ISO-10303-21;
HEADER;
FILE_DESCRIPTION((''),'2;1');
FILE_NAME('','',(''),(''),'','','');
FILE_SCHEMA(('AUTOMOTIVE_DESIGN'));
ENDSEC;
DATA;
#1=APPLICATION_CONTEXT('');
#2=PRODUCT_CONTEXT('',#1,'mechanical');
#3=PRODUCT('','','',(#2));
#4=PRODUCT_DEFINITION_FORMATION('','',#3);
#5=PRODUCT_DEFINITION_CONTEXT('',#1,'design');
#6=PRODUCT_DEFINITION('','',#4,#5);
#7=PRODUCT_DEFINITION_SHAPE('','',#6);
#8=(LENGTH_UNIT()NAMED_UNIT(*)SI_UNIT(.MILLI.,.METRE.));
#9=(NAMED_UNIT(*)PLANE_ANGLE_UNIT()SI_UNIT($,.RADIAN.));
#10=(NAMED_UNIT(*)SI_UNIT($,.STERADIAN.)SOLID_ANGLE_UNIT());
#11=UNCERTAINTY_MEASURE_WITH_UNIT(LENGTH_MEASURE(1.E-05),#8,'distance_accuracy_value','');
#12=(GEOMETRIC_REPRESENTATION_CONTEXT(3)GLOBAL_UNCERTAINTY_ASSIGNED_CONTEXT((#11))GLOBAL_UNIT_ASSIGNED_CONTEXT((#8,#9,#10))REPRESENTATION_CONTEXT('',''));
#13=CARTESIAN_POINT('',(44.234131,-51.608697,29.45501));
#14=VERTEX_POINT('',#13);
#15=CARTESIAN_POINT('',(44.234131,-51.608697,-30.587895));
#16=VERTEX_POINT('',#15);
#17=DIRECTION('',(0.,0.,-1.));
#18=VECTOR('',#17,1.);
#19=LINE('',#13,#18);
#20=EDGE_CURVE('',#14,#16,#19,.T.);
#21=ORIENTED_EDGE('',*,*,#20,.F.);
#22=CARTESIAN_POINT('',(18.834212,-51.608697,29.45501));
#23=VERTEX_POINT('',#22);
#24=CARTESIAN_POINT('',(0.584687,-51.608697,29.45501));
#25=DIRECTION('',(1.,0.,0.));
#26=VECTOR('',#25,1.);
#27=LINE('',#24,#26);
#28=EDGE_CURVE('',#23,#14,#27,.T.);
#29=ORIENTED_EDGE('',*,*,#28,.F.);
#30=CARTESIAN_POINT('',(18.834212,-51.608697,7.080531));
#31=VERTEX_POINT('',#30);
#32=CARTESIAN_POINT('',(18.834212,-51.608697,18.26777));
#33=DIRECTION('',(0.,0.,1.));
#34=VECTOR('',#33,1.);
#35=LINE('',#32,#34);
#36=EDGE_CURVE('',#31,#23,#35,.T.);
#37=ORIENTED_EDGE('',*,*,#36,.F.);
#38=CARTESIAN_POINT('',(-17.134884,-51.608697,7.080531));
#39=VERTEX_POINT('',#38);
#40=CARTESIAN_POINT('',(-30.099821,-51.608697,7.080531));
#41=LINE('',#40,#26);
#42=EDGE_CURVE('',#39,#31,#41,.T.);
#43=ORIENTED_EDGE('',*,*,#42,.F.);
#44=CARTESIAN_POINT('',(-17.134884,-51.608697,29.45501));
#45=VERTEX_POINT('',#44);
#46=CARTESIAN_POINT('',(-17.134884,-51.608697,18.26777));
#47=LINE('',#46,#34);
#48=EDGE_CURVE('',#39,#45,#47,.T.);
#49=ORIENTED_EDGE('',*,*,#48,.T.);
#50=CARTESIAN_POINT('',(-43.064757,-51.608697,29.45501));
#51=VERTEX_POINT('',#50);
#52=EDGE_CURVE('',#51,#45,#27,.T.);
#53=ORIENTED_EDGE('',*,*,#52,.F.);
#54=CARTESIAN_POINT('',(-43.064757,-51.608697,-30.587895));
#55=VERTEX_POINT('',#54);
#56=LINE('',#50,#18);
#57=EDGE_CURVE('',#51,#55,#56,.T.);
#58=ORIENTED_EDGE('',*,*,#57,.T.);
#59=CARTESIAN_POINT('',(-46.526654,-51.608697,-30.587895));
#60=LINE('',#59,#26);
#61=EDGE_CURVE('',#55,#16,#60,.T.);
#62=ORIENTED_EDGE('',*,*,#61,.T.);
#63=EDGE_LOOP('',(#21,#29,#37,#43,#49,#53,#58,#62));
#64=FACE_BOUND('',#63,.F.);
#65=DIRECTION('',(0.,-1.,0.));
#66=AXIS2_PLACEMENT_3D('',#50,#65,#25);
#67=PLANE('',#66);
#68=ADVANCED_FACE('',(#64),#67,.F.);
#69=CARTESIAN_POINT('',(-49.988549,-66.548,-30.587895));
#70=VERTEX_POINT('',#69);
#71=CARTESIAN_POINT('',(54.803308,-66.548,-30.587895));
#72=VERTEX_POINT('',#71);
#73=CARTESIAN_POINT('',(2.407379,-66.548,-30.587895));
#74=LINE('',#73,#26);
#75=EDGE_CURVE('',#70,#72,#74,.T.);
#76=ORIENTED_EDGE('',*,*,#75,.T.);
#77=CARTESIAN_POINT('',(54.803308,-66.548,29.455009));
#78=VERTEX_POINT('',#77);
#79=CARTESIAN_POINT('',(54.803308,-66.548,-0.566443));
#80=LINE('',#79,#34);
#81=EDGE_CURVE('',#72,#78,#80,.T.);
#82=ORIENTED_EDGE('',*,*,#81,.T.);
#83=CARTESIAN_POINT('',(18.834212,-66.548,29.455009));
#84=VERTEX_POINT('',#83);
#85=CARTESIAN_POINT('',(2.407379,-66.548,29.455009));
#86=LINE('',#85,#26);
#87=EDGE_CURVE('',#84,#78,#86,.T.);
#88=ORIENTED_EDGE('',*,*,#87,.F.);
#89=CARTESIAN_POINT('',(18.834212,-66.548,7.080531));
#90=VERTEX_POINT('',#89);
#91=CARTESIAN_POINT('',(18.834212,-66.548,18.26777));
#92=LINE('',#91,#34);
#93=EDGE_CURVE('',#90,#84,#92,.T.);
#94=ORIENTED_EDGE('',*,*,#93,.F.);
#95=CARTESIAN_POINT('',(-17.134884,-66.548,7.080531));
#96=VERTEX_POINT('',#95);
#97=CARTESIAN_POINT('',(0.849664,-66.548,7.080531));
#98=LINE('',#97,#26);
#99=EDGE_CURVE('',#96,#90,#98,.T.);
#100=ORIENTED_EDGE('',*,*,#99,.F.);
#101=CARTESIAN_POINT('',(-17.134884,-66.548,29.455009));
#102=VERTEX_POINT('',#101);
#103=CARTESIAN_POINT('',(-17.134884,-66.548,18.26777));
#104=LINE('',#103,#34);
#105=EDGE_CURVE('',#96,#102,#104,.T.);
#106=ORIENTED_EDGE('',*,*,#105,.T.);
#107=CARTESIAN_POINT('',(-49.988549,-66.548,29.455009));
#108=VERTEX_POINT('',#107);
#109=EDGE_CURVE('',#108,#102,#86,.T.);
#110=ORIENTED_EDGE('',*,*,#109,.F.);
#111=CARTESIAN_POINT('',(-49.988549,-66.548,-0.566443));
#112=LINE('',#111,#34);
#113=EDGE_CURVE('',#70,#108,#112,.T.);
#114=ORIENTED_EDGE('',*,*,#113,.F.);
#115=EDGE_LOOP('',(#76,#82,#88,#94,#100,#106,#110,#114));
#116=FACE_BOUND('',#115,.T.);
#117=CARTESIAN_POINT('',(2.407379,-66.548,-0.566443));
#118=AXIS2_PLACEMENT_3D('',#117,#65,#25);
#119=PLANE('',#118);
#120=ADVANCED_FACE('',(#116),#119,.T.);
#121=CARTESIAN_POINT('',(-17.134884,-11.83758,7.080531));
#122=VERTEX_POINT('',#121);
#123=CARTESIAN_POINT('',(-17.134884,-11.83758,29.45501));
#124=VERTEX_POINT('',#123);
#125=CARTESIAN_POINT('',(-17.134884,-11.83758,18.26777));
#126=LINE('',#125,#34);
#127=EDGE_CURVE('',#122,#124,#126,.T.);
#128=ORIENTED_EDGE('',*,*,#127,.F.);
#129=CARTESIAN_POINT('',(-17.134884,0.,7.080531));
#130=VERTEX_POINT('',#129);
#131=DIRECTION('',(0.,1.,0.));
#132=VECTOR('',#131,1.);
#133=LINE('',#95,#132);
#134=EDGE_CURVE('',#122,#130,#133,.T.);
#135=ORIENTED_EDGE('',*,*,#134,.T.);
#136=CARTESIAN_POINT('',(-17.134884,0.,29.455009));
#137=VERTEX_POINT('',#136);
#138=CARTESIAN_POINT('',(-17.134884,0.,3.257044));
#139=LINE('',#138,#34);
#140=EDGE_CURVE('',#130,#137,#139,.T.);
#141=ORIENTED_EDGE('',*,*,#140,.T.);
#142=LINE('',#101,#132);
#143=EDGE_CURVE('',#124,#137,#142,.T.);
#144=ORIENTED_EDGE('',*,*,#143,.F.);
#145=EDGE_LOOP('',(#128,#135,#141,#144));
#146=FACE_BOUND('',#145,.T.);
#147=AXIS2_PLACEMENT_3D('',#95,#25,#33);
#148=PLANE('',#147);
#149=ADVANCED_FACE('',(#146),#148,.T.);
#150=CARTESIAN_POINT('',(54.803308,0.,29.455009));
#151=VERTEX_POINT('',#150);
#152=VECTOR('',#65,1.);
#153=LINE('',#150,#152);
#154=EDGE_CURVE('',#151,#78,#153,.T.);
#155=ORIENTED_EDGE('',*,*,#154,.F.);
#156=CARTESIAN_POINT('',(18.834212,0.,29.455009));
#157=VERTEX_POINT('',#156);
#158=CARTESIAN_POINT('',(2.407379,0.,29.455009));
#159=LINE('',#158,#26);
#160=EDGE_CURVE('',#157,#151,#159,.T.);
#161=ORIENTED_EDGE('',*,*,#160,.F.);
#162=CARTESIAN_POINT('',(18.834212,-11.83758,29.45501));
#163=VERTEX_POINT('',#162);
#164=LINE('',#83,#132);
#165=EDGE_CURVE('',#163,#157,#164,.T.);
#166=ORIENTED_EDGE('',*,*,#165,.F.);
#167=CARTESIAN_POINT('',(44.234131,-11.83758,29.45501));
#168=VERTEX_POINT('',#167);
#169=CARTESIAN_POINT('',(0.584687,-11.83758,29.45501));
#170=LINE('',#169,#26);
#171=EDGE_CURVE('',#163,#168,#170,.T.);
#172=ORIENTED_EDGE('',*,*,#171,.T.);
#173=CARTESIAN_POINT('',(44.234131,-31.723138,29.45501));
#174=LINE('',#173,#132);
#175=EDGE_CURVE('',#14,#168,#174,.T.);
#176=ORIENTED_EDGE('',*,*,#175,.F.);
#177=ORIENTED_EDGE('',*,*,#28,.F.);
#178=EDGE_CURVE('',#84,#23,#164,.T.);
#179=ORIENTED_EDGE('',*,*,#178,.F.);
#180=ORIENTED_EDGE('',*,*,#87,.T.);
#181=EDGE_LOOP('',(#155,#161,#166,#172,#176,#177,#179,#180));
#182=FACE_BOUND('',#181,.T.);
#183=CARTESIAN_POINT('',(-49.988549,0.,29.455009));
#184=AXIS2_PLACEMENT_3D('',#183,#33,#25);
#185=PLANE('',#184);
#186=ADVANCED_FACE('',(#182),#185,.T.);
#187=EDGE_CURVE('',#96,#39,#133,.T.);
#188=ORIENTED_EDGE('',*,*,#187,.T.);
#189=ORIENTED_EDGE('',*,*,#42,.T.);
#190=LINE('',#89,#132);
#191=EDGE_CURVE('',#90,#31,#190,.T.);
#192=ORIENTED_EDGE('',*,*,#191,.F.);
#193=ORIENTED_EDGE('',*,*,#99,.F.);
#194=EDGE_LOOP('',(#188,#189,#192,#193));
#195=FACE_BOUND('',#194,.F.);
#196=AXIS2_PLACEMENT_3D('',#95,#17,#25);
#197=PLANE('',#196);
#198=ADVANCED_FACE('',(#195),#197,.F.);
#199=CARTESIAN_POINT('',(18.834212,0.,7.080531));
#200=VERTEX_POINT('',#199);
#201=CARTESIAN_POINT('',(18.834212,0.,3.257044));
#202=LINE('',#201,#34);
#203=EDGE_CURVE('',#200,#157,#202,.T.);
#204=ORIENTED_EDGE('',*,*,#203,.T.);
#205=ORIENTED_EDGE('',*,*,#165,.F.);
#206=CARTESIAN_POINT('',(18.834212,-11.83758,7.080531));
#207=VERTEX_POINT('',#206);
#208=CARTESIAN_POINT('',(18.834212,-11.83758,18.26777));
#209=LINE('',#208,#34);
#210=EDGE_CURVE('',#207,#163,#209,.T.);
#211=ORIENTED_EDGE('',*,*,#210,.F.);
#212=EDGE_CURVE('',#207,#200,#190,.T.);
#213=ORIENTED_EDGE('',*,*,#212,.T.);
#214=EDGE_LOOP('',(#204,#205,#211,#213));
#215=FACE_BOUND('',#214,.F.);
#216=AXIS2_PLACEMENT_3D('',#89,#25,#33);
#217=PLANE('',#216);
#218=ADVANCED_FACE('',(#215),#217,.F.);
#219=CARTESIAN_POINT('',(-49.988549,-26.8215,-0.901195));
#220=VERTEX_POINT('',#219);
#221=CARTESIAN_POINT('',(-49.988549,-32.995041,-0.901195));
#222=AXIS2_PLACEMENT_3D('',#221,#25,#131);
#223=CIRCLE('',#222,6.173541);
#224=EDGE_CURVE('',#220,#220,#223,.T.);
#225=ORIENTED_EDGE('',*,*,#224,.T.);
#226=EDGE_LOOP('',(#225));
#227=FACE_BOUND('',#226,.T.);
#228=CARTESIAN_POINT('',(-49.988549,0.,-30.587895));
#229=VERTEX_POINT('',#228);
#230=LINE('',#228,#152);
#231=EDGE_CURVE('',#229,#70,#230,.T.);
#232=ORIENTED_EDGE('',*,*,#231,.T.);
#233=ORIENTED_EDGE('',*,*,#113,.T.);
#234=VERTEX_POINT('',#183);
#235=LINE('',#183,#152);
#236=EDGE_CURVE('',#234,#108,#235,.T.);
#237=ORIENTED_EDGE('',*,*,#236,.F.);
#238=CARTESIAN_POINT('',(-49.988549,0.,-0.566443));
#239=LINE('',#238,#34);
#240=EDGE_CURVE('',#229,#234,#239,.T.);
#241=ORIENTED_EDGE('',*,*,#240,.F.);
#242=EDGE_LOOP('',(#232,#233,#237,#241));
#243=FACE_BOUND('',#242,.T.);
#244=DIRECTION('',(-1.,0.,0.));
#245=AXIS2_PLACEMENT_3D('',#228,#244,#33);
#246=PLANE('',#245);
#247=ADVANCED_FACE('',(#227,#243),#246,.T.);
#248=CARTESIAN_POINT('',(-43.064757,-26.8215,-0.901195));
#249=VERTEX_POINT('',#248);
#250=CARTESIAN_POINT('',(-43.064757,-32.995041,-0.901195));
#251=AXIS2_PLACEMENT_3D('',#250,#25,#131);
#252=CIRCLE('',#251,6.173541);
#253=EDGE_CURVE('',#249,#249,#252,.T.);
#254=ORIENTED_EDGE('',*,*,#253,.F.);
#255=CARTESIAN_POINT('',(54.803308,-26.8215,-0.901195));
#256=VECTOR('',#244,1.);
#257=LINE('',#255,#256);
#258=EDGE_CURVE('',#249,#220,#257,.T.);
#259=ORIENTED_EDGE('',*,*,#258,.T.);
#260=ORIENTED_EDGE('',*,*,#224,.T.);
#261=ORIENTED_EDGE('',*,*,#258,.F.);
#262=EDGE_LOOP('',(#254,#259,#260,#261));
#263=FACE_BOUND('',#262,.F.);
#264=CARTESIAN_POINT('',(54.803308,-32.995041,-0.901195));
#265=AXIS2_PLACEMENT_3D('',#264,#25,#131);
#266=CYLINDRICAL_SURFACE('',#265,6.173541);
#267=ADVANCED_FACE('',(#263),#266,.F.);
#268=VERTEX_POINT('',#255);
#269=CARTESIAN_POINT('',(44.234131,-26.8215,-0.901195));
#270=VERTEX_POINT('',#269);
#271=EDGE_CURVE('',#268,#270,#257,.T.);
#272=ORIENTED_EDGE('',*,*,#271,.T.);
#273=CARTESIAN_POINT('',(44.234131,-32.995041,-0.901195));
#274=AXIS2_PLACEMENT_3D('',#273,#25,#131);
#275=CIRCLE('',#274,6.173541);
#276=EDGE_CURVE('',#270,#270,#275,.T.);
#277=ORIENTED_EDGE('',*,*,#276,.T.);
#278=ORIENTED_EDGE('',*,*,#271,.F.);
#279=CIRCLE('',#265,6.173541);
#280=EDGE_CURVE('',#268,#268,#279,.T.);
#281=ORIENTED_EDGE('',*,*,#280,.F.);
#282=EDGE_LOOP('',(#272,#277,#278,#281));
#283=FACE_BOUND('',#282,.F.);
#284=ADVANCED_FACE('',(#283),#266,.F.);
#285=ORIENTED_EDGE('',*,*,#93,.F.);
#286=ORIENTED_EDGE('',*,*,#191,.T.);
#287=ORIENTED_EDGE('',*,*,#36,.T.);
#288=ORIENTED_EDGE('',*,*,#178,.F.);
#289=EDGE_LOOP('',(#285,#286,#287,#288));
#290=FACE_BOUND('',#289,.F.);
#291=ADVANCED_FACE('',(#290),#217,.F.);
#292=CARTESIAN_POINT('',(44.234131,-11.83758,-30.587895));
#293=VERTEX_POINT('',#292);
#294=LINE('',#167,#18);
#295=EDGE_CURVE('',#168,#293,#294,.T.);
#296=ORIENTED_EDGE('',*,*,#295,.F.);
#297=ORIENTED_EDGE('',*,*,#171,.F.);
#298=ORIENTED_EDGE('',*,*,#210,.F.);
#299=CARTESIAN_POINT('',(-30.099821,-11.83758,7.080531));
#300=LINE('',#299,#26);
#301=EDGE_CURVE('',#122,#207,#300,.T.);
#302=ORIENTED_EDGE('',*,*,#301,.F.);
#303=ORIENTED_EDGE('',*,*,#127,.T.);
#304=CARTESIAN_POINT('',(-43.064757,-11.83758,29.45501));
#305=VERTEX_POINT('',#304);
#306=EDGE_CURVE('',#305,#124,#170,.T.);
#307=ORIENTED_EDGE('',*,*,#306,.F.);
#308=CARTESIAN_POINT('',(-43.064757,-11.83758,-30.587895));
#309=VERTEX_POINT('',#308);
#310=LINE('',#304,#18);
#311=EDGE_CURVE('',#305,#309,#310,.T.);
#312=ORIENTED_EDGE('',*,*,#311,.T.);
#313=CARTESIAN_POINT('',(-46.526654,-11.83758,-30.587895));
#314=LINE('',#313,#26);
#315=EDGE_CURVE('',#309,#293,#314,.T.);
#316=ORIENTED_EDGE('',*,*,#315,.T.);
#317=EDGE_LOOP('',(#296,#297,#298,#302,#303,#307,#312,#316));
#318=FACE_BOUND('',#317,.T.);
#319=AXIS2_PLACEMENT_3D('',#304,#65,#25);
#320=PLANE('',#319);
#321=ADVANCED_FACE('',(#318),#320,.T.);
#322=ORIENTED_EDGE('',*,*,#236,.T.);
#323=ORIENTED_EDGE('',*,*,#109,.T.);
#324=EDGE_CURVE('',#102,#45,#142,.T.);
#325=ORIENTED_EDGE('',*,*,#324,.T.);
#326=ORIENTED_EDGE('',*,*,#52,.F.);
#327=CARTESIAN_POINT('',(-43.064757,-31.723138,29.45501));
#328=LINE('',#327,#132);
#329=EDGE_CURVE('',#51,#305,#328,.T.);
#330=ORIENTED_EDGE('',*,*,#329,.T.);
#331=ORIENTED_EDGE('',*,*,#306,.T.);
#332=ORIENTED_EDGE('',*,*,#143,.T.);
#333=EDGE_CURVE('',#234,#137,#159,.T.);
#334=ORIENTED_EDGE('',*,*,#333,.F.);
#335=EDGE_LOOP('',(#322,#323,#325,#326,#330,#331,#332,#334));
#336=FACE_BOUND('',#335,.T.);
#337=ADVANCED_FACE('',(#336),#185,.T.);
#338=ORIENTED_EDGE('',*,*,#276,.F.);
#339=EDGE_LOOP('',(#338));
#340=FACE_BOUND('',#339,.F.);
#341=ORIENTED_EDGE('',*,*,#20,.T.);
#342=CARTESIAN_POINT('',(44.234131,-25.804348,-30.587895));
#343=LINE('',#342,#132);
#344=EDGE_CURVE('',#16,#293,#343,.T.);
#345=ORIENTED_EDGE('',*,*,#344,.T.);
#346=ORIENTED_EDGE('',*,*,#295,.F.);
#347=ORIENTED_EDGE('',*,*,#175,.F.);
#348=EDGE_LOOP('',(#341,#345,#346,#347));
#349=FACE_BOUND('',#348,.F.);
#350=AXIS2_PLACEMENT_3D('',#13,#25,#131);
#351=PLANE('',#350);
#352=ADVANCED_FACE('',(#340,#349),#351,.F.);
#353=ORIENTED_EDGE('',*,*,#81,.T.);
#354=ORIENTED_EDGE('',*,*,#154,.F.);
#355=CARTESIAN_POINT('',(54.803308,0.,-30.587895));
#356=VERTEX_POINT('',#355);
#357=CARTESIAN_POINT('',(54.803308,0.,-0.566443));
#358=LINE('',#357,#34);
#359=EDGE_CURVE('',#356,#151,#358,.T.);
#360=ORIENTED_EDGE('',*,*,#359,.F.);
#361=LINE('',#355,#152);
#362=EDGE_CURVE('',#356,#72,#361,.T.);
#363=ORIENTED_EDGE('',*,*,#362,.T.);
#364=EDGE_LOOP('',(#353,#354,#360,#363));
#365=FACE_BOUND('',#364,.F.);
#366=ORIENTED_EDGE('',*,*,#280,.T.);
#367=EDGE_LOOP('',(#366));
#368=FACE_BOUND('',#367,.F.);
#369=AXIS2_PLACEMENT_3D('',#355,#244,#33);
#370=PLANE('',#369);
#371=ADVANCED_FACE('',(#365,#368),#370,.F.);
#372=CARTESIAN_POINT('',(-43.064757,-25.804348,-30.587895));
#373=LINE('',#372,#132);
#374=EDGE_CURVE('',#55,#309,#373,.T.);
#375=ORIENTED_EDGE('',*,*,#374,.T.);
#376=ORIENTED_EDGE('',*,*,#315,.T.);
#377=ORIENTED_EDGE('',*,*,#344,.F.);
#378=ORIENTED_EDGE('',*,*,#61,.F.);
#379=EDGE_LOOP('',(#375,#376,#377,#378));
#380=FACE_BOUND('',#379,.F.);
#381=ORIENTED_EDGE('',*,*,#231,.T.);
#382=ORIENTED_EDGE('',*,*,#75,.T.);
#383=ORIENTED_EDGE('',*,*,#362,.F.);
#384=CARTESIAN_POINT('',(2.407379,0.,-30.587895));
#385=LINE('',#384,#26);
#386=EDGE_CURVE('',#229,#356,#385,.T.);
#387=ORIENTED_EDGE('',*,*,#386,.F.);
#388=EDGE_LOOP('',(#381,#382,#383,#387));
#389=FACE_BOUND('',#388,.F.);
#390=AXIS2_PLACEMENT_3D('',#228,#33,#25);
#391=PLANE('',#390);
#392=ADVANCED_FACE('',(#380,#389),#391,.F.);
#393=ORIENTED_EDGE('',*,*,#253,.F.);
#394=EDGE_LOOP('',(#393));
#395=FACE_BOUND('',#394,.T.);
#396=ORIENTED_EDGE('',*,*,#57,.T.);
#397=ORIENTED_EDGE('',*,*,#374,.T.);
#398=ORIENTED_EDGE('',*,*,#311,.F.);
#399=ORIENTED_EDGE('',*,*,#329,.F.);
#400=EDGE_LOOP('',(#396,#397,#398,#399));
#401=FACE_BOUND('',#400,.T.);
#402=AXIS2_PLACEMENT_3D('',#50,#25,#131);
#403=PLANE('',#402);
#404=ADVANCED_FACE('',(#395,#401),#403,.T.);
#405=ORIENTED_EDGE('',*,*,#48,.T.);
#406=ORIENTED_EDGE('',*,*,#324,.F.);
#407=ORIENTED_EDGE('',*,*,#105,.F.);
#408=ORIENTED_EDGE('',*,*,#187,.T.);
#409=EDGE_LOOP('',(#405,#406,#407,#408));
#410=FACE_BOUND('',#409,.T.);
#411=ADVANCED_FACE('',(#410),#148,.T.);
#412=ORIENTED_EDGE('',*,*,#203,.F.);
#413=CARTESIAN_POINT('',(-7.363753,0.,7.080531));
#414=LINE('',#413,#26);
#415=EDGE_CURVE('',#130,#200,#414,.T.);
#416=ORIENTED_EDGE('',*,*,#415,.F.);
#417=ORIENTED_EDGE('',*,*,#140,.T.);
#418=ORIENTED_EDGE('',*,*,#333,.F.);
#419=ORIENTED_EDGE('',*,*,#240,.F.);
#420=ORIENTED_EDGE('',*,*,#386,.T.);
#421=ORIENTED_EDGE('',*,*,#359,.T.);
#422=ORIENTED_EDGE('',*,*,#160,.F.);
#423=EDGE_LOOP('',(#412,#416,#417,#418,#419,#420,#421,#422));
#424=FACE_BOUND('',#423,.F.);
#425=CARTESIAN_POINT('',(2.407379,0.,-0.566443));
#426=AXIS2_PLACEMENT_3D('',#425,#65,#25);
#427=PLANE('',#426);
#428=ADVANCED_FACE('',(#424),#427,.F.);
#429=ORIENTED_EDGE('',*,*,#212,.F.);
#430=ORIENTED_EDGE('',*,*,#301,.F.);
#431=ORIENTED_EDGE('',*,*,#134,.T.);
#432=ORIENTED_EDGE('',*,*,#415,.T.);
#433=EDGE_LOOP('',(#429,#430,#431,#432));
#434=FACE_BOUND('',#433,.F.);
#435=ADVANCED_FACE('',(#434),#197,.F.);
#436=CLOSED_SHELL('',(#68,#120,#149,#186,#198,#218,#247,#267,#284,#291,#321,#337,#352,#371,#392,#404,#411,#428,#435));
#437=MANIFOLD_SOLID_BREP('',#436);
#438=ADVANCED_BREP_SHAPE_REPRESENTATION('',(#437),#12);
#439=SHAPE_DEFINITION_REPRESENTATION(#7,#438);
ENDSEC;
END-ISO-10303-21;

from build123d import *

# Parameters (mm, degrees)
F0_W     = 104.791857
F0_H     = 60.042905
F1_DEPTH = 66.548
F3_W     = 87.298889
F3_H     = 39.771117
F4_DEPTH = 60.043905
F2_W     = 35.969097
F2_H     = 22.374479
F5_DEPTH = 66.549
F6_R     = 6.173541
F7_DEPTH = 104.792857


with BuildPart() as f1:
    # F0 (on Front) → F1 (new body)
    with BuildSketch(Plane.XZ):
        with Locations((2.407379, -0.566443)):
            Rectangle(F0_W, F0_H)
    extrude(amount=F1_DEPTH)

    # F3 (on face) → F4 (cut, through all)
    with BuildSketch(Plane.XY.offset(29.45501)):
        with Locations((0.584687, -31.723138)):
            Rectangle(F3_W, F3_H)
    extrude(amount=-F4_DEPTH, mode=Mode.SUBTRACT)

    # F2 (on face) → F5 (cut, through all)
    with BuildSketch(Plane.XZ.offset(66.548)):
        with Locations((0.849664, 18.26777)):
            Rectangle(F2_W, F2_H)
    extrude(amount=-F5_DEPTH, mode=Mode.SUBTRACT)

    # F6 (on face) → F7 (cut, through all)
    with BuildSketch(Plane.YZ.offset(54.803308)):
        with Locations((-32.995041, -0.901195)):
            Circle(F6_R)
    extrude(amount=-F7_DEPTH, mode=Mode.SUBTRACT)


solid = f1.part
